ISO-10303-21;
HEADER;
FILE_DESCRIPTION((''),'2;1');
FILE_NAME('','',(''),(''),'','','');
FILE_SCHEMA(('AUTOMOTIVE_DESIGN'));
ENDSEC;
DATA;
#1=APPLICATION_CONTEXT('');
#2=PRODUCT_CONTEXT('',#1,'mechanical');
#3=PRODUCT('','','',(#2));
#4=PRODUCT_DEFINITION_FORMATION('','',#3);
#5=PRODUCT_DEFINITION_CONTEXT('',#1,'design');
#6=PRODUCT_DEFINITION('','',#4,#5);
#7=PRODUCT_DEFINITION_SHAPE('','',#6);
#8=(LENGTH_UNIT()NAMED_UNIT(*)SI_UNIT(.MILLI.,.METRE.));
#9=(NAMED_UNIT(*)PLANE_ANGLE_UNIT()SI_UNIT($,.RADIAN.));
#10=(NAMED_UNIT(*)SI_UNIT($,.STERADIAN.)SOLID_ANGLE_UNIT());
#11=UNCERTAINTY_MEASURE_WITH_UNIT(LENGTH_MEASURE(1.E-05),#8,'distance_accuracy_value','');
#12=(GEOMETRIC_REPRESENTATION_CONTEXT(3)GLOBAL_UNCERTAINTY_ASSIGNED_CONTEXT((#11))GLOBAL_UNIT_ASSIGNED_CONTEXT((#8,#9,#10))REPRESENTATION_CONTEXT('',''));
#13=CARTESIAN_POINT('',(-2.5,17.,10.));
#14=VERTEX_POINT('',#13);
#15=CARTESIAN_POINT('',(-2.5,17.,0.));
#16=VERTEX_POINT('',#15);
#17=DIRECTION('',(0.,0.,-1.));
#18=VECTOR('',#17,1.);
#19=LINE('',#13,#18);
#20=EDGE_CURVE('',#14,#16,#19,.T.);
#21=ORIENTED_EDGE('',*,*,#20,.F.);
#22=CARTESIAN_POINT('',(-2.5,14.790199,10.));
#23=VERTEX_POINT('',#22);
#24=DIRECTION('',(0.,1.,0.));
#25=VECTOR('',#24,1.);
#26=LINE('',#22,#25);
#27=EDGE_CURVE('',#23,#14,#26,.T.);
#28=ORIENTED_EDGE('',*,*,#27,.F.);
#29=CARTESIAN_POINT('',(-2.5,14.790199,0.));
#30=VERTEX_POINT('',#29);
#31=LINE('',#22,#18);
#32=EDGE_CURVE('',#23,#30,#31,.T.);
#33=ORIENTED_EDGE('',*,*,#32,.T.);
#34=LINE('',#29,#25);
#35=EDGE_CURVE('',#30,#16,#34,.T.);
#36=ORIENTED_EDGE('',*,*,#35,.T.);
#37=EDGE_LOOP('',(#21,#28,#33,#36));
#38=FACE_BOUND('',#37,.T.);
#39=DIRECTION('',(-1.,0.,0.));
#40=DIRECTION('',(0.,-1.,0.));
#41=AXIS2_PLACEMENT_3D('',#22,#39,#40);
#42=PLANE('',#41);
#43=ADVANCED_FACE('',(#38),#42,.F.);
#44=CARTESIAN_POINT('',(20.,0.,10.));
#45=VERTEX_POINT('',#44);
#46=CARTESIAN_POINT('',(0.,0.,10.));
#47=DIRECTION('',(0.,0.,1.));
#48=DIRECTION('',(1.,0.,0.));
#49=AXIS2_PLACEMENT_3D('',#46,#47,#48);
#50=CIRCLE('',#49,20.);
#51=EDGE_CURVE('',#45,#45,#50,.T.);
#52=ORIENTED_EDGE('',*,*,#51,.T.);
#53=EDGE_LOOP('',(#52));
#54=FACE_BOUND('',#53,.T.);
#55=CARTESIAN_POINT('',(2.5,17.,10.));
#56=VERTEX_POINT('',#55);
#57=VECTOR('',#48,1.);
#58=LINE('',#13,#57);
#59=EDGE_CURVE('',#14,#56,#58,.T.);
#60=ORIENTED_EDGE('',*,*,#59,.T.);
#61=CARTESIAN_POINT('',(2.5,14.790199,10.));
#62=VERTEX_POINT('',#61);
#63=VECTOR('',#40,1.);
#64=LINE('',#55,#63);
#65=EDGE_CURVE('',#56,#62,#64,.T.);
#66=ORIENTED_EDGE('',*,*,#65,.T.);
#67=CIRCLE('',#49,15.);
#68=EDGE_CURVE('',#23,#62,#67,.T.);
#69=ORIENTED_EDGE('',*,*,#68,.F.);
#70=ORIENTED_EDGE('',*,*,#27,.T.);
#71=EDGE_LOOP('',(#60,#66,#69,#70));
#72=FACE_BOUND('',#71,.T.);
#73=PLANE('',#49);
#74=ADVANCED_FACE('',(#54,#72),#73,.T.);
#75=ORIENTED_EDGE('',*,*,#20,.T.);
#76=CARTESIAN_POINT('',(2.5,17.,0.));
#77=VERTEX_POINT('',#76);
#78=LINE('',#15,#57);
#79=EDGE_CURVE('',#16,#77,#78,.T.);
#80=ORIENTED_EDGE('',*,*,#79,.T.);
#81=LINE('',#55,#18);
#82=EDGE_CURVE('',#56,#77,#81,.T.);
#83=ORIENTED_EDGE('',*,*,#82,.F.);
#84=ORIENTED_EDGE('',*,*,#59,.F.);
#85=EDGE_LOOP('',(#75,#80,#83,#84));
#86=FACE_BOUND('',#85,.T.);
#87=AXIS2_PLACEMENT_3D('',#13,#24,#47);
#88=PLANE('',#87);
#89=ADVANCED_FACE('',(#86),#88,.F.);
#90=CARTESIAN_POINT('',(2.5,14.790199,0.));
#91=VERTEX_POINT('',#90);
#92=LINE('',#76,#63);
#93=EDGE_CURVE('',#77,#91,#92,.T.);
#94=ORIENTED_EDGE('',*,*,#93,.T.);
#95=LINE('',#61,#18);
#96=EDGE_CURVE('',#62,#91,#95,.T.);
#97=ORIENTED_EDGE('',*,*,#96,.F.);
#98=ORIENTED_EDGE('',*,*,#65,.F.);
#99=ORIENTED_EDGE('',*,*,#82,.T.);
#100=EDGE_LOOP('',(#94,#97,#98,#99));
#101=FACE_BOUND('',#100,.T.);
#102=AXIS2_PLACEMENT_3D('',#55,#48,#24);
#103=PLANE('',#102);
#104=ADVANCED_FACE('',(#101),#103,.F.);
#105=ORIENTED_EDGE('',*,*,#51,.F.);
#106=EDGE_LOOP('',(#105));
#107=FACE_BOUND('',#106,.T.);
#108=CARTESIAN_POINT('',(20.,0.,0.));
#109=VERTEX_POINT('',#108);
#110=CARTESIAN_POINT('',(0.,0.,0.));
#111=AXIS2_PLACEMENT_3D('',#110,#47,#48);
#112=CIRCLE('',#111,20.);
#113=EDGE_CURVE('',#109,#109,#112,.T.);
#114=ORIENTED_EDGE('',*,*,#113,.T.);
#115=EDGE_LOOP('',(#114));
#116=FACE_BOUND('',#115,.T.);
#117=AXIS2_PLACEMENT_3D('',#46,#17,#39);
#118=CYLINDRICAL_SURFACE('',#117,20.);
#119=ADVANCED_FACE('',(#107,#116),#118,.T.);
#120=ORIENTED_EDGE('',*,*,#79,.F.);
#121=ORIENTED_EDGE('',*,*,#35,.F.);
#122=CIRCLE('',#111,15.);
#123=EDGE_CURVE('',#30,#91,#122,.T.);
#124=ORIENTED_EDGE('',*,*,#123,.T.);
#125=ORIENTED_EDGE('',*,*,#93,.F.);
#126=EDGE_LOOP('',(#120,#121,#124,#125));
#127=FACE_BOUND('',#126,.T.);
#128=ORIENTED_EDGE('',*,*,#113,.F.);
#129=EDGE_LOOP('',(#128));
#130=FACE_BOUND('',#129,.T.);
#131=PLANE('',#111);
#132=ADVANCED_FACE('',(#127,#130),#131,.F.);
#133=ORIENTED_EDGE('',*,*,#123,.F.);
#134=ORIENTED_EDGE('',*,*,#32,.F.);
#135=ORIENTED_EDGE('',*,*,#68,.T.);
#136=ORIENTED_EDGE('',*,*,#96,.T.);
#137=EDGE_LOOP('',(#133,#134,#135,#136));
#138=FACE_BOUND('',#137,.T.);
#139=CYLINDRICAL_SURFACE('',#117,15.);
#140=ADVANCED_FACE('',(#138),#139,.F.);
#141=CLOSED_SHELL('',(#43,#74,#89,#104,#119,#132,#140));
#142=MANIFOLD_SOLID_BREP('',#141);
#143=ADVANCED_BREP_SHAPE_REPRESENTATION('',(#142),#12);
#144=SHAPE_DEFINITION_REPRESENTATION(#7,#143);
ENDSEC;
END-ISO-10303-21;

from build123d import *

# Parameters (mm, degrees)
SKETCH1_R           = 20
BOSS_EXTRUDE1_DEPTH = 10


with BuildPart() as part:
    # Sketch1 → Boss-Extrude1 (new body)
    with BuildSketch(Plane.XY):
        Circle(SKETCH1_R)
        with BuildLine():
            Line((-2.5, 14.790199458), (-2.5, 17))
            Line((-2.5, 17), (2.5, 17))
            Line((2.5, 17), (2.5, 14.790199458))
            ThreePointArc((2.5, 14.790199458), (0, -15), (-2.5, 14.790199458))
        make_face(mode=Mode.SUBTRACT)
    extrude(amount=BOSS_EXTRUDE1_DEPTH)


solid = part.part
